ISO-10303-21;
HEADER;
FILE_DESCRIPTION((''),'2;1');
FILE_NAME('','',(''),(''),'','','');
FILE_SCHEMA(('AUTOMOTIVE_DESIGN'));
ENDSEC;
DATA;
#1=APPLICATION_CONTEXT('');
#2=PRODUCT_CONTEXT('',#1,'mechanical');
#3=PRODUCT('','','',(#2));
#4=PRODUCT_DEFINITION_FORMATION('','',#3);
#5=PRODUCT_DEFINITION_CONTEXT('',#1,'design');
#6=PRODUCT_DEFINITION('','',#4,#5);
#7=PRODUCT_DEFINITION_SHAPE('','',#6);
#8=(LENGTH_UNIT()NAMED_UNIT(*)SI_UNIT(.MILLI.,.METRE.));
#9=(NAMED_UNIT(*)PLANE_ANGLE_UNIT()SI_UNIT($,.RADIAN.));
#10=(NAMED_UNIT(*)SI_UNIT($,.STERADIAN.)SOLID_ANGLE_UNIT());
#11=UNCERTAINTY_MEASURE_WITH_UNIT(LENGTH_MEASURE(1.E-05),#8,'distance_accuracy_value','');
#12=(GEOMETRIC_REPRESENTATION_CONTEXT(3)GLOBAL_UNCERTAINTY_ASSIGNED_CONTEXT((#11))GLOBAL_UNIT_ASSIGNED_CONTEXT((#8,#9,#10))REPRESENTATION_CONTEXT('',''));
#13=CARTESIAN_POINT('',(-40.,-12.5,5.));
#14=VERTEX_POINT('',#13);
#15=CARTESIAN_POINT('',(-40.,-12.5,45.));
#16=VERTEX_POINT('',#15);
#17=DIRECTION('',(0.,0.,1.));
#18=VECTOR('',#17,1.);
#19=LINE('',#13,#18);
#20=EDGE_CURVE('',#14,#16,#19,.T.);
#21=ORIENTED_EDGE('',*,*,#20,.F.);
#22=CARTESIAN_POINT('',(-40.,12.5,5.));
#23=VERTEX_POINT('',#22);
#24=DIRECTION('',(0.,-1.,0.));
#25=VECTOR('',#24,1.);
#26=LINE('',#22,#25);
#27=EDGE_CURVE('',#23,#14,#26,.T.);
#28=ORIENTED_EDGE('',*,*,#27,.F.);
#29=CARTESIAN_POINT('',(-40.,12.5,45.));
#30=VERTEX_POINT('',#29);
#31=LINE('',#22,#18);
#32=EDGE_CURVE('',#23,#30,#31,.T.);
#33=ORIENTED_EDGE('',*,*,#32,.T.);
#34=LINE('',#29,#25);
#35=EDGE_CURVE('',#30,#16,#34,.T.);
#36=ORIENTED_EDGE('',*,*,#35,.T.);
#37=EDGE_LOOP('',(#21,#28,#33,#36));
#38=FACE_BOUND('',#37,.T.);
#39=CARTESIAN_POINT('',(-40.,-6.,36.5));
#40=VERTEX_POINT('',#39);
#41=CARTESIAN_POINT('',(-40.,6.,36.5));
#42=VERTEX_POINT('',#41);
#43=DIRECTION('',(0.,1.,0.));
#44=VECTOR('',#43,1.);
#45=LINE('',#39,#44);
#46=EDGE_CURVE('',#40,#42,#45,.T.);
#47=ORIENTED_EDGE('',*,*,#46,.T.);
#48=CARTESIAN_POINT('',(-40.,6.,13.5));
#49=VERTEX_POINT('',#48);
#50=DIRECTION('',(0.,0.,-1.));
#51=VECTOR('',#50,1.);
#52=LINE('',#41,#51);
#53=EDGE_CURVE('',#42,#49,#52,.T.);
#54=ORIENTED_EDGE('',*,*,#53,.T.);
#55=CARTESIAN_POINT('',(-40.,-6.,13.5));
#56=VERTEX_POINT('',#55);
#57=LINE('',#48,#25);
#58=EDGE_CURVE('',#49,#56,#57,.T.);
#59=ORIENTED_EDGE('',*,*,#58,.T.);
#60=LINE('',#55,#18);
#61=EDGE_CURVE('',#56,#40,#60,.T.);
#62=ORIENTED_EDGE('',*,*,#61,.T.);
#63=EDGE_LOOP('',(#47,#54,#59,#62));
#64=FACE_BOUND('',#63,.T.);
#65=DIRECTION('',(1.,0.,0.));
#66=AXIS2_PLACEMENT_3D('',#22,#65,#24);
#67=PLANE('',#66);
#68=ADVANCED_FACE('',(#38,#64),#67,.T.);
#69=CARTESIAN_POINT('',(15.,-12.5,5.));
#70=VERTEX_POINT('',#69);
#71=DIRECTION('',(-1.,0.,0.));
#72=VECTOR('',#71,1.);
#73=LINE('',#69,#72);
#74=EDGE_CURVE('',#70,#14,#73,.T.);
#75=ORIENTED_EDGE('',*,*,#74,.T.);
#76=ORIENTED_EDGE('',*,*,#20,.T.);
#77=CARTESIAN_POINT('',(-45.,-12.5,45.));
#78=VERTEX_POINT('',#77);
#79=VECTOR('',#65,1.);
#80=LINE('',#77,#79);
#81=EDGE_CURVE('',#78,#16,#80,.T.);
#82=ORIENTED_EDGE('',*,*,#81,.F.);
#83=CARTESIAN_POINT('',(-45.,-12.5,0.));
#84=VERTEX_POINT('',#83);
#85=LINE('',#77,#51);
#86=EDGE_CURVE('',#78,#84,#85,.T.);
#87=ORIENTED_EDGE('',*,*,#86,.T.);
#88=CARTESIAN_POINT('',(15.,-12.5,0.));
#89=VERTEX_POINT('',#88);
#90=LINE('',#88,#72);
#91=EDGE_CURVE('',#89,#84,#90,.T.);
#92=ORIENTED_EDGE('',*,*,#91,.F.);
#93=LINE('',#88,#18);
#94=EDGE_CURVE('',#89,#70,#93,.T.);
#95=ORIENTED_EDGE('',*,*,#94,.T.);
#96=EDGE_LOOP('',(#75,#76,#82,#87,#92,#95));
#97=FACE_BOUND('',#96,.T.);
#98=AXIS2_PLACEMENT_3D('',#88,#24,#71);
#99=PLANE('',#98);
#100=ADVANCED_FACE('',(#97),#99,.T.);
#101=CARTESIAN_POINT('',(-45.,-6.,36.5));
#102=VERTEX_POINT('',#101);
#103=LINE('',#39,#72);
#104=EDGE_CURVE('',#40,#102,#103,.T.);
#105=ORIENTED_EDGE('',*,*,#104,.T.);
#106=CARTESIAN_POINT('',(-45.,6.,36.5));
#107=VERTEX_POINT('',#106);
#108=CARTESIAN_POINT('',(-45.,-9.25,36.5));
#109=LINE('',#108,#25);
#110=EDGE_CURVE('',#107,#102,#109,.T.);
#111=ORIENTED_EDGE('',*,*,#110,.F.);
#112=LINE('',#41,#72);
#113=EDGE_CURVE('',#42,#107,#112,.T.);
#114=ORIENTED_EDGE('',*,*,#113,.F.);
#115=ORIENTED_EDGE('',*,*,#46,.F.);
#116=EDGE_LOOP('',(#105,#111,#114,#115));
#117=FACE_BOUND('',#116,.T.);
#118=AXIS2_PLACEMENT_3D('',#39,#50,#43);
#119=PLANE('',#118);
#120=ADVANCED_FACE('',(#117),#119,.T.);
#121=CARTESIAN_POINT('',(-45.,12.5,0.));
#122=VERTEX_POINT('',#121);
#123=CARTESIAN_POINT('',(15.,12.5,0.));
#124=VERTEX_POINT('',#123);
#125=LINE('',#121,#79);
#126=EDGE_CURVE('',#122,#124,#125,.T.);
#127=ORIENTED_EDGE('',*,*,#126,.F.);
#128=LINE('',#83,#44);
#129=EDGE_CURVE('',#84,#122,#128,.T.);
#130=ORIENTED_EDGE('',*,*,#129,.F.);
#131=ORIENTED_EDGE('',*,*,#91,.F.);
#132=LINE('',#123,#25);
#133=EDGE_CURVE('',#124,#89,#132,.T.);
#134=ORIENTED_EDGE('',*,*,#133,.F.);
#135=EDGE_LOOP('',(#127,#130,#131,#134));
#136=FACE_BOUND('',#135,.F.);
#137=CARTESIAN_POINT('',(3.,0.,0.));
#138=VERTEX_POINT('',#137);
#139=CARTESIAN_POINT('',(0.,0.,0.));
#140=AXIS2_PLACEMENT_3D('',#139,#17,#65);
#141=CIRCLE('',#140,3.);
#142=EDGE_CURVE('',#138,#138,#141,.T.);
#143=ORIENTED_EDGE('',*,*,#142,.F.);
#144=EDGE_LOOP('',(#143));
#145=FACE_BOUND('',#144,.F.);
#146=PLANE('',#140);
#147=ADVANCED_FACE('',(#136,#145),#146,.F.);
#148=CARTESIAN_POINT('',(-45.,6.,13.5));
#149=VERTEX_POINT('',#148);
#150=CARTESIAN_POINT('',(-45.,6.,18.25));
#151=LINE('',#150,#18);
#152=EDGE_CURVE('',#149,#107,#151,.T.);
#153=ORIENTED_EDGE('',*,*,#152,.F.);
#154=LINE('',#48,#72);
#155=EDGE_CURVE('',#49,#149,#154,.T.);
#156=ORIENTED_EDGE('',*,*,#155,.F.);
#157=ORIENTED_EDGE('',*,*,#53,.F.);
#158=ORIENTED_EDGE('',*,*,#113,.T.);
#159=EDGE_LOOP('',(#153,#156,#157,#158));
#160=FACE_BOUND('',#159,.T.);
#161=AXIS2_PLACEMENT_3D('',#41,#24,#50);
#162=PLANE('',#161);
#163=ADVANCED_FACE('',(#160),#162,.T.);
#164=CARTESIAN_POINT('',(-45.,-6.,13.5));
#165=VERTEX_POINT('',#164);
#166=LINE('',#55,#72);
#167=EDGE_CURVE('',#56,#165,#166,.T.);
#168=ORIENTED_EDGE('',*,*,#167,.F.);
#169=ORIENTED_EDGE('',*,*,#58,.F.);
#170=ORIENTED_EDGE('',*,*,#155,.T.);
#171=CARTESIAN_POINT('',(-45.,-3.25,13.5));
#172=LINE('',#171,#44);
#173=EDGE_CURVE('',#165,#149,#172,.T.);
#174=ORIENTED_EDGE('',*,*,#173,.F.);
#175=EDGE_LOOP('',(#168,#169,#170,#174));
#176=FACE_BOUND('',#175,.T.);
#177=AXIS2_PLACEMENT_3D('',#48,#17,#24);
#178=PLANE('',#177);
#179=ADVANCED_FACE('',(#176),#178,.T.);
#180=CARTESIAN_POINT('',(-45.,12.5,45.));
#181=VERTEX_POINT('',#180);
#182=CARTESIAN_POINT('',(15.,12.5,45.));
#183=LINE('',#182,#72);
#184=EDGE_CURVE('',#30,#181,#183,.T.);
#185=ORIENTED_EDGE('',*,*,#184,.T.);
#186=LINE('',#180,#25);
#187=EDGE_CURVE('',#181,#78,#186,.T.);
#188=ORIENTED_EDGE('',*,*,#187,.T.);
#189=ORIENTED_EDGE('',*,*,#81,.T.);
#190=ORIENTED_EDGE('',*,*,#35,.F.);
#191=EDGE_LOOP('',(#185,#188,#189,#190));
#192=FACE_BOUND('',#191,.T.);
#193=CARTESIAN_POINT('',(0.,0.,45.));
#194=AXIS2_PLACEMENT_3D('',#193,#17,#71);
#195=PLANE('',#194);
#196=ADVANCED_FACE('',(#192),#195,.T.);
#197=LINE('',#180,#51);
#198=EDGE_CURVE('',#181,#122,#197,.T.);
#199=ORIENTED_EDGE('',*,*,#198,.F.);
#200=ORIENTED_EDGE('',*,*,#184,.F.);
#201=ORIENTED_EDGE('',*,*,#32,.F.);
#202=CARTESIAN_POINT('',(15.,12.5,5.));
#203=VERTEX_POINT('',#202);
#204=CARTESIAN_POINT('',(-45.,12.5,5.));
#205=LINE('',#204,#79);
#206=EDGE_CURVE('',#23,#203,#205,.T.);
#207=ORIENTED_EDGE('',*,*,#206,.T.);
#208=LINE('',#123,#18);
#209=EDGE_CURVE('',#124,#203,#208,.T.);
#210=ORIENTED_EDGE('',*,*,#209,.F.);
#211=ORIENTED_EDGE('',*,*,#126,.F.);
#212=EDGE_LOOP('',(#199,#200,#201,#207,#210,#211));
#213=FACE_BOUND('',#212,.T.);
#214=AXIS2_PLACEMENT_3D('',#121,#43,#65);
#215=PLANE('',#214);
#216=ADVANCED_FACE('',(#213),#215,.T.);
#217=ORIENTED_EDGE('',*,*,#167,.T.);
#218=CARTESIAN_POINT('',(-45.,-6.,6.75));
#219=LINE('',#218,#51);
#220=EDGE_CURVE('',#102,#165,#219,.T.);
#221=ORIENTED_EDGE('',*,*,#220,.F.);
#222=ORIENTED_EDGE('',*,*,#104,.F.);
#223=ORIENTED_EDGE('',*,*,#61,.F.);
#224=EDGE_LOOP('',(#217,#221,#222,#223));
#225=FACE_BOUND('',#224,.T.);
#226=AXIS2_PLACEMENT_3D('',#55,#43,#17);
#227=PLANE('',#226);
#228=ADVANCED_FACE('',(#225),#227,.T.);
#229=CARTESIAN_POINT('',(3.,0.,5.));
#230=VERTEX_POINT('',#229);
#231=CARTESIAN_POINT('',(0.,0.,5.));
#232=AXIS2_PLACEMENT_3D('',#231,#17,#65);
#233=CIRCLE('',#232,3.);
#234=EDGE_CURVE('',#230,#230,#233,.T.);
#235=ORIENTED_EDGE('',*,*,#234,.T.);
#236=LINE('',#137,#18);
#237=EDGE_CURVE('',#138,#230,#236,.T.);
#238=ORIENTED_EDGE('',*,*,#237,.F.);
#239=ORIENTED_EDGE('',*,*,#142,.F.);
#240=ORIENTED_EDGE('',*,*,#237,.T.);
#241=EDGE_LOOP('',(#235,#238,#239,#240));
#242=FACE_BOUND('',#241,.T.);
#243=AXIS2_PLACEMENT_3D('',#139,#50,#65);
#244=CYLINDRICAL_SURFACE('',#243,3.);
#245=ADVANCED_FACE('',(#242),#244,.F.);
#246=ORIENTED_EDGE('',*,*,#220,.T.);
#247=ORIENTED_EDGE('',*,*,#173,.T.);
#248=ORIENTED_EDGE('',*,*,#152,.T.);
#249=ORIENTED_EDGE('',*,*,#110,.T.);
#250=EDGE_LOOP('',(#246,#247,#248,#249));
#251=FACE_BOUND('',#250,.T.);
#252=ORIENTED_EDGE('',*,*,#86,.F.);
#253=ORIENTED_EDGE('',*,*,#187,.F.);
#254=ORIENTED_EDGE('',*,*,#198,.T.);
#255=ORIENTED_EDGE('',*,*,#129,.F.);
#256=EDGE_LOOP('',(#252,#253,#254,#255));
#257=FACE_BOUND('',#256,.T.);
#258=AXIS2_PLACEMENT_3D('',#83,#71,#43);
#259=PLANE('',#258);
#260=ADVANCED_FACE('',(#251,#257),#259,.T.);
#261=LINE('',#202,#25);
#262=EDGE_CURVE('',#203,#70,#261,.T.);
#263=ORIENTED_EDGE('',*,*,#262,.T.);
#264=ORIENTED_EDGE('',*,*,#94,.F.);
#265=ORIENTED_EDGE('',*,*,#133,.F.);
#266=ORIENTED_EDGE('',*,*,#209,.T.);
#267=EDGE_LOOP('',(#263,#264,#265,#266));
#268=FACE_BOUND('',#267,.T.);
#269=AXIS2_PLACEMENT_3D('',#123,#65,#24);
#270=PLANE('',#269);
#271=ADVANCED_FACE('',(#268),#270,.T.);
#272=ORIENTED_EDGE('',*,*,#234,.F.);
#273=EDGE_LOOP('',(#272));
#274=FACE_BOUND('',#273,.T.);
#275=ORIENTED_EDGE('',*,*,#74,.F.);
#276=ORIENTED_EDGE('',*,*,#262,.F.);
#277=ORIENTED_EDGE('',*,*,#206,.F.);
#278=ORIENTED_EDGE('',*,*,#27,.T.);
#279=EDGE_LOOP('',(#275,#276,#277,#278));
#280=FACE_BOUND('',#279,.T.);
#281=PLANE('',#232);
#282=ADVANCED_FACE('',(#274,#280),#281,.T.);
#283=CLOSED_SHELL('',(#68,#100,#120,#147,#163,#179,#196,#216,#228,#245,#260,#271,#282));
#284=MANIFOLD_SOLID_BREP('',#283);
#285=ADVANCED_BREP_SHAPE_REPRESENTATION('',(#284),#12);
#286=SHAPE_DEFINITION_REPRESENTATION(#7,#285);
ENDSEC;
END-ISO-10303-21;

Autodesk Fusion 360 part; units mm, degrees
sketch "Sketch1" plane through (0, 0, 0) normal (0, 0, 1) x (1, 0, 0)
  circle A0 centre (0, 0) radius 3
  line L0 (15, -12.5) -> (-45, -12.5)
  line L1 (-45, -12.5) -> (-45, 12.5)
  line L2 (-45, 12.5) -> (15, 12.5)
  line L3 (15, 12.5) -> (15, -12.5)
  dimension "d1" = 6
  dimension "d2" = 25
  dimension "d12" = 60
  dimension "d14" = 15
extrude "Extrude1" add sketch "Sketch1" along normal blind 5
sketch "Sketch2" plane through (0, 0, 5) normal (0, 0, 1) x (-1, 0, 0)
  circle A0 centre (0, 0) radius 3
  line L0 (-15, -12.5) -> (45, -12.5)
  line L1 (45, -12.5) -> (45, 12.5)
  line L2 (45, 12.5) -> (-15, 12.5)
  line L3 (-15, 12.5) -> (-15, -12.5)
  line L4 (45, -12.5) -> (40, -12.5)
  line L5 (40, -12.5) -> (40, 12.5)
  line L6 (40, 12.5) -> (45, 12.5)
  line L7 (45, 12.5) -> (45, -12.5)
  dimension "d5" = 5
extrude "Extrude2" add sketch "Sketch2" along normal blind 40 contours L0 L1 L2 L4 L5 L6 L7
sketch "Sketch3" plane through (-40, 0, 0) normal (1, 0, 0) x (0, 1, 0)
  line L0 (-12.5, 5) -> (12.5, 5)
  line L1 (12.5, 5) -> (12.5, 45)
  line L2 (12.5, 45) -> (-12.5, 45)
  line L3 (-12.5, 45) -> (-12.5, 5)
  line L4 (6, 13.5) -> (-6, 13.5)
  line L5 (-6, 13.5) -> (-6, 36.5)
  line L6 (-6, 36.5) -> (6, 36.5)
  line L7 (6, 36.5) -> (6, 13.5)
  line L8 (6, 13.5) -> (-6, 36.5) construction
  line L9 (-6, 13.5) -> (6, 36.5) construction
  point P0 (0, 25)
  dimension "d8" = 12
  dimension "d9" = 23
extrude "Extrude3" cut sketch "Sketch3" against normal blind 40 contours L4 L5 L6 L7
